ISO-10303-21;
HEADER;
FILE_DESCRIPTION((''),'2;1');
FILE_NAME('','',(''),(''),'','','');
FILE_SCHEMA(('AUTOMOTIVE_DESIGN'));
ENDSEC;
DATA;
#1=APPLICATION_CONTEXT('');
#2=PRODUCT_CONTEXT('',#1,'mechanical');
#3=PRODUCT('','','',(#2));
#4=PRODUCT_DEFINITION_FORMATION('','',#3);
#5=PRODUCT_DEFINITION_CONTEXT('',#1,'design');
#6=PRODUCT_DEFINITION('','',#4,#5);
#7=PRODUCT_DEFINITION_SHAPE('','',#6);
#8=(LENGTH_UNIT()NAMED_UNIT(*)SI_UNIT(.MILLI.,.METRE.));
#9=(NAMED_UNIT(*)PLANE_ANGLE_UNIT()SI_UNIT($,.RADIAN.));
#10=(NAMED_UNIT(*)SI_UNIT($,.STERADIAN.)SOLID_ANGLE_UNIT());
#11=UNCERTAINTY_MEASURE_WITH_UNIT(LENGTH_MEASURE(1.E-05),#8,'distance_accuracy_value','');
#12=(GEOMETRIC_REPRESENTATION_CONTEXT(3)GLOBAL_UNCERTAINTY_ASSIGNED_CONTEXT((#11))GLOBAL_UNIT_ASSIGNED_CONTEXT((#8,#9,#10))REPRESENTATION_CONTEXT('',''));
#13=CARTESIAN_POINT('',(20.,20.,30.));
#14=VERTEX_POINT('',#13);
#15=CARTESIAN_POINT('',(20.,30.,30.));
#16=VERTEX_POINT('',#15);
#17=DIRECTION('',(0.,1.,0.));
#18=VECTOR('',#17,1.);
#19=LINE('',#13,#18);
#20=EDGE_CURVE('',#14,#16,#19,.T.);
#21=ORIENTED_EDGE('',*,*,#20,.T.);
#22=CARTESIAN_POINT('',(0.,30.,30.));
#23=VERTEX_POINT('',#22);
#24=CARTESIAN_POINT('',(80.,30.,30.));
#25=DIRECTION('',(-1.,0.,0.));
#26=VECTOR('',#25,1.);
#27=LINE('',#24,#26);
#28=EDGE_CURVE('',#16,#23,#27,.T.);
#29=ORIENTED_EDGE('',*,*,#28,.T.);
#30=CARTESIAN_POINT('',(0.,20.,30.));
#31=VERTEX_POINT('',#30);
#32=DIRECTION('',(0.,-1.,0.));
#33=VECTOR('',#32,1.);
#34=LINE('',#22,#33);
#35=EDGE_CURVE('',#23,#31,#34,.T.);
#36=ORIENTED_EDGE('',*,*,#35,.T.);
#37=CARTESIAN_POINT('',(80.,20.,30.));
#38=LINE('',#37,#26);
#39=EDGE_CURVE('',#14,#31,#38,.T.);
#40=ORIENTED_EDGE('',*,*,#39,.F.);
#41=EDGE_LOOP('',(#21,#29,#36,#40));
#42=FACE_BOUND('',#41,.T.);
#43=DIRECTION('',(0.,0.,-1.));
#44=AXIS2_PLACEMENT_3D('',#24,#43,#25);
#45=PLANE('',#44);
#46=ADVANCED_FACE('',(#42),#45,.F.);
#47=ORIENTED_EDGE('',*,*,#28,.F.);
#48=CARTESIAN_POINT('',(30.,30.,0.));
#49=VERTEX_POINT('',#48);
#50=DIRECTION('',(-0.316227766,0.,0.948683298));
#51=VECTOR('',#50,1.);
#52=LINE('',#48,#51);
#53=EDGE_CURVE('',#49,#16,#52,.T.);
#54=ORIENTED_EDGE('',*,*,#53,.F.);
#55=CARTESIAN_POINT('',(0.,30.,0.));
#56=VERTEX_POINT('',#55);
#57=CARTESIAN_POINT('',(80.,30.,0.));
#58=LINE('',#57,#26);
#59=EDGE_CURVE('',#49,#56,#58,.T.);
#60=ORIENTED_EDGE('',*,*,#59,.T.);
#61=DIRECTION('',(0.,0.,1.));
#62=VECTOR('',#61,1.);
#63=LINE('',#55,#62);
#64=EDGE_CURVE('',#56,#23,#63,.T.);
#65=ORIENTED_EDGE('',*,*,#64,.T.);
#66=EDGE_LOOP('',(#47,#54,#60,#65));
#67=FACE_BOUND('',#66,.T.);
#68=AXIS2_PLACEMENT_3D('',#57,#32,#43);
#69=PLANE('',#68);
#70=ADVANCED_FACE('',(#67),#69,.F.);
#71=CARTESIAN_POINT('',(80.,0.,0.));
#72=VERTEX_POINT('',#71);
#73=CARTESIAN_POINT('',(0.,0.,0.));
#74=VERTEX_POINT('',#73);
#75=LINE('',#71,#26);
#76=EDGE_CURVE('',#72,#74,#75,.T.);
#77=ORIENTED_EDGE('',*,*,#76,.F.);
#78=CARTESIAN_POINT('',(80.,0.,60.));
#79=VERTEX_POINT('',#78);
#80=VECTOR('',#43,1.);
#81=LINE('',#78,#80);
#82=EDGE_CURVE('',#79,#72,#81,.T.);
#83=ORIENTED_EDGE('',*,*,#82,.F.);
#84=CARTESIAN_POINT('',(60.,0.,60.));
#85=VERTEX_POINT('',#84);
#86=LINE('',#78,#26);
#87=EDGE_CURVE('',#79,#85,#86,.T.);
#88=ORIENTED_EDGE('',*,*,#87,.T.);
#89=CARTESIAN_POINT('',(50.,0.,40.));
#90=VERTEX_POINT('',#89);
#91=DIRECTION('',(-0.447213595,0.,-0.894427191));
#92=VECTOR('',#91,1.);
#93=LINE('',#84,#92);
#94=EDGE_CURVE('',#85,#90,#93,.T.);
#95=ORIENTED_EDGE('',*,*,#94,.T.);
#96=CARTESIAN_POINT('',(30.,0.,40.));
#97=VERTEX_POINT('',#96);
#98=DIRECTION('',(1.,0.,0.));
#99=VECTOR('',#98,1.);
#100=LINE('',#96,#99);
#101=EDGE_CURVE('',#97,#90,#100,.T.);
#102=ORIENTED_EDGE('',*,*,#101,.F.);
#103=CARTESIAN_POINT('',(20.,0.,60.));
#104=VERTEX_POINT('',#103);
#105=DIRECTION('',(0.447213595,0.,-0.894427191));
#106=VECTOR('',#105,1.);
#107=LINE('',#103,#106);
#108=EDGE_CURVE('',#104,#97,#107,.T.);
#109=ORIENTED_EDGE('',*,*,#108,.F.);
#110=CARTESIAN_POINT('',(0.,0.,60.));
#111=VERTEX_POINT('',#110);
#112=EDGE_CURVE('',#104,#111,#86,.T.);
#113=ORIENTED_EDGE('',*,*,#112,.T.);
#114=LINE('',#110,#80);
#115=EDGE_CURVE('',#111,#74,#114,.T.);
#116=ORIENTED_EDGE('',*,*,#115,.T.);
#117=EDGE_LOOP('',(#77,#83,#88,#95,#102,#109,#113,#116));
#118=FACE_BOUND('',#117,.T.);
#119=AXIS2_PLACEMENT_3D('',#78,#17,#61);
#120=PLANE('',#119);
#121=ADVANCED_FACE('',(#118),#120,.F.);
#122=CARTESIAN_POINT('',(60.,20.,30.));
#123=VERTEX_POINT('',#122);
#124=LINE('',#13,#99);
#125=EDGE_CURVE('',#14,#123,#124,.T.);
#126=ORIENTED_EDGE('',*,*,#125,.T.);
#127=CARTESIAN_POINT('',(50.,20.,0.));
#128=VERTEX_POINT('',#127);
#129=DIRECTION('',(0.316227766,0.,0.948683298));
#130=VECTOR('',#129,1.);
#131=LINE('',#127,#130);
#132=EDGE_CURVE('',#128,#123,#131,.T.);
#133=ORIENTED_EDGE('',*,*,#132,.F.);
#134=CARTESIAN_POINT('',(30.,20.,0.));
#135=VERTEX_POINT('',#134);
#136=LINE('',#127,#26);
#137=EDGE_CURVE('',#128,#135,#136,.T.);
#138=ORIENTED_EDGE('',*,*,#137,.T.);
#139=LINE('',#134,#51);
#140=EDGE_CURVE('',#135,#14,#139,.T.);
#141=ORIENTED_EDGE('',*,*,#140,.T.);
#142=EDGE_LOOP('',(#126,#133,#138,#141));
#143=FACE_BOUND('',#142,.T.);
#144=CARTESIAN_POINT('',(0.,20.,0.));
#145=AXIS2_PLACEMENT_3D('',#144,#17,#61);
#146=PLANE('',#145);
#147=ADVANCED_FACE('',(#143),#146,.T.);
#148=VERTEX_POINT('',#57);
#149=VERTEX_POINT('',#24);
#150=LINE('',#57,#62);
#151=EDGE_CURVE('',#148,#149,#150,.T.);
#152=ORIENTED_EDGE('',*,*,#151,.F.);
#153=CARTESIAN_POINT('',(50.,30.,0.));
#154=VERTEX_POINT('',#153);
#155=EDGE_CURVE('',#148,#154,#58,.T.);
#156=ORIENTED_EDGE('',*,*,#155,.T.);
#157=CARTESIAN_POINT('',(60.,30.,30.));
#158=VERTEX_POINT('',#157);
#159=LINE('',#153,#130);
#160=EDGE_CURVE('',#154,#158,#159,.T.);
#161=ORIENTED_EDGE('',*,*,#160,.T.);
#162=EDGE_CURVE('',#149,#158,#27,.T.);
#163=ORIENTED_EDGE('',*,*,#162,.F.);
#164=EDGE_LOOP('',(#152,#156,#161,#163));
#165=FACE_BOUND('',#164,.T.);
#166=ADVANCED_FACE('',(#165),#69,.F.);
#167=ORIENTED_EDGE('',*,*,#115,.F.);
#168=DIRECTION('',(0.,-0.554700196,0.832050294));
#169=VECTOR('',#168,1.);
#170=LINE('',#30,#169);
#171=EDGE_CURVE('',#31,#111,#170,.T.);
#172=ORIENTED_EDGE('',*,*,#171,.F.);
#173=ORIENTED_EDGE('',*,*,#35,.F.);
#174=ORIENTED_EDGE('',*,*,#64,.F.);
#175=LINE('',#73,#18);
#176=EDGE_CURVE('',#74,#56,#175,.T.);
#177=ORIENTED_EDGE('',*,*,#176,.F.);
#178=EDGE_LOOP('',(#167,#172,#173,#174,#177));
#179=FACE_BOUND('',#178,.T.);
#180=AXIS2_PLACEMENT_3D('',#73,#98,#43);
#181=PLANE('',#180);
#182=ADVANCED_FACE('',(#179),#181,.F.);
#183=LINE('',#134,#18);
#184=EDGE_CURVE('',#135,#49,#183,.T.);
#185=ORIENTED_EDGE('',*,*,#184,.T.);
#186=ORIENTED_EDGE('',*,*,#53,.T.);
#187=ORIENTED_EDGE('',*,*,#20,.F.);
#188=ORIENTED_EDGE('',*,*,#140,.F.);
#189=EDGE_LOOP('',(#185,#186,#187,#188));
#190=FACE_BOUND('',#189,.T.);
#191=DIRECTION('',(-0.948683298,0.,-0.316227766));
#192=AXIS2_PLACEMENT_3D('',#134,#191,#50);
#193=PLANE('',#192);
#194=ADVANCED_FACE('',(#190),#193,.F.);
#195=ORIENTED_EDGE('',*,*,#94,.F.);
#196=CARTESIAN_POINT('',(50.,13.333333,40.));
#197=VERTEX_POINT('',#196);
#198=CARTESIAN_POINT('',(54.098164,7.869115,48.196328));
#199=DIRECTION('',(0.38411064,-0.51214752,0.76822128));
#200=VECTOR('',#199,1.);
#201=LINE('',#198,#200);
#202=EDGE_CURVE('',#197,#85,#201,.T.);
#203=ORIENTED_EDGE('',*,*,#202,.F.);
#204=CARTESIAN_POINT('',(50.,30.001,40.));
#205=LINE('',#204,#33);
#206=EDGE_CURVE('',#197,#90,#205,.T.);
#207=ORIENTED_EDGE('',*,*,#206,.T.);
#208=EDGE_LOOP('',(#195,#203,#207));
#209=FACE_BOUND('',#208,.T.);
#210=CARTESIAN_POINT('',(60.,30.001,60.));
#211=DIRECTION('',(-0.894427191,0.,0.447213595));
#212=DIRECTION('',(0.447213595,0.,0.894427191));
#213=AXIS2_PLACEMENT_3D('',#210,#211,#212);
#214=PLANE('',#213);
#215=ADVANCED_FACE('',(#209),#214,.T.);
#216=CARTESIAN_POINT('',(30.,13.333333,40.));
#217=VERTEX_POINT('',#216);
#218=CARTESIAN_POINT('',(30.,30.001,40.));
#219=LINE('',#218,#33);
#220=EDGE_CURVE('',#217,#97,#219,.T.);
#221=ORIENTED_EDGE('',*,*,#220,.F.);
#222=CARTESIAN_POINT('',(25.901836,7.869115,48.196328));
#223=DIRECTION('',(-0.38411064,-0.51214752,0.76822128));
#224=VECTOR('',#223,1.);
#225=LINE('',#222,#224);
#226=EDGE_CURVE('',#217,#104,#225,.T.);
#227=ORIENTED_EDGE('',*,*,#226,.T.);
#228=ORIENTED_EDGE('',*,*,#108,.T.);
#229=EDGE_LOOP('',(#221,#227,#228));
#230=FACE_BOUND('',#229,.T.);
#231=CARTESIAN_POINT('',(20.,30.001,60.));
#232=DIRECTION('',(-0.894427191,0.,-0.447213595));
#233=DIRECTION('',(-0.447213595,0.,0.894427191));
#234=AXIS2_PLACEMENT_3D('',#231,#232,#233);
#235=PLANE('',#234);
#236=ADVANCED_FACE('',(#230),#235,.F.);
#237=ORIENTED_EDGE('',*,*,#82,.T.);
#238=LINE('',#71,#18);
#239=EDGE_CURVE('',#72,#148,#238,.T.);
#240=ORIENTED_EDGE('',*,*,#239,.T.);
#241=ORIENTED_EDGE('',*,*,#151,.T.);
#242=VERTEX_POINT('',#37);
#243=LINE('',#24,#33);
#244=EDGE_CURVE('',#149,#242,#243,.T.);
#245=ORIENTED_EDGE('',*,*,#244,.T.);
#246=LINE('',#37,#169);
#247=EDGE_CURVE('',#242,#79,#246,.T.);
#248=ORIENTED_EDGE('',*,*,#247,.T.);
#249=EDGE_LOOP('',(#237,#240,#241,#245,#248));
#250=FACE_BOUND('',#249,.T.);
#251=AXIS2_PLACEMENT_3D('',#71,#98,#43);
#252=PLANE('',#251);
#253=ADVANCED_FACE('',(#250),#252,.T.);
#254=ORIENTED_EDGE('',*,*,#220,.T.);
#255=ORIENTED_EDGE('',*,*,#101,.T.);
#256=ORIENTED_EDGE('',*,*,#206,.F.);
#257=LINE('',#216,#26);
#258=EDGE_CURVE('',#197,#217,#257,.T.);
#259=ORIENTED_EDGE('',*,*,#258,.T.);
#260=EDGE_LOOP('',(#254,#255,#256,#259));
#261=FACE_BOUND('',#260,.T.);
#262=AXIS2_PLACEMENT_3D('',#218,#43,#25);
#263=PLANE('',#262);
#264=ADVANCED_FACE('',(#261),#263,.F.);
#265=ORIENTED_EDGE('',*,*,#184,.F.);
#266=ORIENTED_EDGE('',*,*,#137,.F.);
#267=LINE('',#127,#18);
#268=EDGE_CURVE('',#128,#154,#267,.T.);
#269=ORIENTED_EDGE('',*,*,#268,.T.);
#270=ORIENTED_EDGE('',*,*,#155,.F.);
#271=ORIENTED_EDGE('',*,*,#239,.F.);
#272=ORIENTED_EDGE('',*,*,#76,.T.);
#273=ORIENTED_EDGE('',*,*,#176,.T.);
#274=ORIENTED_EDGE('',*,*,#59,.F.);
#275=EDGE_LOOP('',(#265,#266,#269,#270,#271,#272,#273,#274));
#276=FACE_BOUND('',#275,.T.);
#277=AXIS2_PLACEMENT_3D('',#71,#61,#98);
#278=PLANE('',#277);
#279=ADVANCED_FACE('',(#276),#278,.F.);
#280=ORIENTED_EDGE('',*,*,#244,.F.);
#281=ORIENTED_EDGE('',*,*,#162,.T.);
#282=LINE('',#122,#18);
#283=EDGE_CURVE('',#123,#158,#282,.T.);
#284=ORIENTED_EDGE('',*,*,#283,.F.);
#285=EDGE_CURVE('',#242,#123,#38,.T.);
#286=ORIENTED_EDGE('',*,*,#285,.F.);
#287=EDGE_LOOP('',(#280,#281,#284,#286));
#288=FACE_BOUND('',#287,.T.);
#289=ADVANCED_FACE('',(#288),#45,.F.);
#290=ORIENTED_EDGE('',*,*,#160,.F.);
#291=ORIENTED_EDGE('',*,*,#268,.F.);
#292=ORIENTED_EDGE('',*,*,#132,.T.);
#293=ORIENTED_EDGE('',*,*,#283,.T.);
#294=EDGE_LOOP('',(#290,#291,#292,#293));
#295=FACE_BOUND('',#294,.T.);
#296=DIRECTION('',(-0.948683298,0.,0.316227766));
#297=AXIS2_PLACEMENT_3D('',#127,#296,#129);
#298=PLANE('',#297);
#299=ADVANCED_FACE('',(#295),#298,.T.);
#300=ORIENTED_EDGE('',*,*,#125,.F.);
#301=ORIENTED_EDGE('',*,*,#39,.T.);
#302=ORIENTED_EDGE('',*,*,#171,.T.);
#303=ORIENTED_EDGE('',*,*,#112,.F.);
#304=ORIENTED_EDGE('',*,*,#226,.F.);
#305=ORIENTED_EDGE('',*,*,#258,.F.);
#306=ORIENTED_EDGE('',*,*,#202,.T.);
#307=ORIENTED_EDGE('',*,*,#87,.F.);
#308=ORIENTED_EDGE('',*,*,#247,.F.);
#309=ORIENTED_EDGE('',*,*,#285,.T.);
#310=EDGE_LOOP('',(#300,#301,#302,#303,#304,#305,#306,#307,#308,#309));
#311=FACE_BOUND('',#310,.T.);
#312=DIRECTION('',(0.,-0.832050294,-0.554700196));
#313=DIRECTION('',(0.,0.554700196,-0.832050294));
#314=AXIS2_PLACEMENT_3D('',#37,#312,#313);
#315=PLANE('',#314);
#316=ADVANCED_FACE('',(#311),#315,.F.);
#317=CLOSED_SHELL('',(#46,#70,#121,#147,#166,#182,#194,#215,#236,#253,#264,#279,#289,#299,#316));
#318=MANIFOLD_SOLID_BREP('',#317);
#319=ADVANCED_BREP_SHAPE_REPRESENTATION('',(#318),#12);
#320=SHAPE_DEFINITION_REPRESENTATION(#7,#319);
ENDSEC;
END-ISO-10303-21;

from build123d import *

# Parameters (mm, degrees)
BOSS_EXTRUDE1_DEPTH = 80
CUT_EXTRUDE1_DEPTH  = 10
CUT_EXTRUDE2_REACH  = 106.403


with BuildPart() as part:
    # Sketch2 → Boss-Extrude1 (new body)
    with BuildSketch(Plane(origin=(0, 0, 0), x_dir=(0, 0, -1), z_dir=(1, 0, 0))):
        Polygon((0, 0), (0, 30), (-30, 30), (-30, 20), (-60, 0), align=None)
    extrude(amount=BOSS_EXTRUDE1_DEPTH)

    # Sketch3 → Cut-Extrude1 (cut)
    with BuildSketch(Plane(origin=(0, 30, 0), x_dir=(1, 0, 0), z_dir=(0, 1, 0))):
        Polygon((50, 0), (30, 0), (20, -30), (60, -30), align=None)
    extrude(amount=-CUT_EXTRUDE1_DEPTH, mode=Mode.SUBTRACT)

    # Sketch4 → Cut-Extrude2 (cut, up to next)
    with BuildSketch(Plane.XZ, mode=Mode.PRIVATE) as cut_extrude2_sk1:
        Polygon((60, 60), (20, 60), (30, 40), (50, 40), align=None)
    cut_extrude2_tool1 = extrude(cut_extrude2_sk1.sketch, amount=-CUT_EXTRUDE2_REACH, mode=Mode.PRIVATE) & part.part
    add(cut_extrude2_tool1.solids().sort_by_distance((40, 0, 51.111111))[0], mode=Mode.SUBTRACT)


solid = part.part
